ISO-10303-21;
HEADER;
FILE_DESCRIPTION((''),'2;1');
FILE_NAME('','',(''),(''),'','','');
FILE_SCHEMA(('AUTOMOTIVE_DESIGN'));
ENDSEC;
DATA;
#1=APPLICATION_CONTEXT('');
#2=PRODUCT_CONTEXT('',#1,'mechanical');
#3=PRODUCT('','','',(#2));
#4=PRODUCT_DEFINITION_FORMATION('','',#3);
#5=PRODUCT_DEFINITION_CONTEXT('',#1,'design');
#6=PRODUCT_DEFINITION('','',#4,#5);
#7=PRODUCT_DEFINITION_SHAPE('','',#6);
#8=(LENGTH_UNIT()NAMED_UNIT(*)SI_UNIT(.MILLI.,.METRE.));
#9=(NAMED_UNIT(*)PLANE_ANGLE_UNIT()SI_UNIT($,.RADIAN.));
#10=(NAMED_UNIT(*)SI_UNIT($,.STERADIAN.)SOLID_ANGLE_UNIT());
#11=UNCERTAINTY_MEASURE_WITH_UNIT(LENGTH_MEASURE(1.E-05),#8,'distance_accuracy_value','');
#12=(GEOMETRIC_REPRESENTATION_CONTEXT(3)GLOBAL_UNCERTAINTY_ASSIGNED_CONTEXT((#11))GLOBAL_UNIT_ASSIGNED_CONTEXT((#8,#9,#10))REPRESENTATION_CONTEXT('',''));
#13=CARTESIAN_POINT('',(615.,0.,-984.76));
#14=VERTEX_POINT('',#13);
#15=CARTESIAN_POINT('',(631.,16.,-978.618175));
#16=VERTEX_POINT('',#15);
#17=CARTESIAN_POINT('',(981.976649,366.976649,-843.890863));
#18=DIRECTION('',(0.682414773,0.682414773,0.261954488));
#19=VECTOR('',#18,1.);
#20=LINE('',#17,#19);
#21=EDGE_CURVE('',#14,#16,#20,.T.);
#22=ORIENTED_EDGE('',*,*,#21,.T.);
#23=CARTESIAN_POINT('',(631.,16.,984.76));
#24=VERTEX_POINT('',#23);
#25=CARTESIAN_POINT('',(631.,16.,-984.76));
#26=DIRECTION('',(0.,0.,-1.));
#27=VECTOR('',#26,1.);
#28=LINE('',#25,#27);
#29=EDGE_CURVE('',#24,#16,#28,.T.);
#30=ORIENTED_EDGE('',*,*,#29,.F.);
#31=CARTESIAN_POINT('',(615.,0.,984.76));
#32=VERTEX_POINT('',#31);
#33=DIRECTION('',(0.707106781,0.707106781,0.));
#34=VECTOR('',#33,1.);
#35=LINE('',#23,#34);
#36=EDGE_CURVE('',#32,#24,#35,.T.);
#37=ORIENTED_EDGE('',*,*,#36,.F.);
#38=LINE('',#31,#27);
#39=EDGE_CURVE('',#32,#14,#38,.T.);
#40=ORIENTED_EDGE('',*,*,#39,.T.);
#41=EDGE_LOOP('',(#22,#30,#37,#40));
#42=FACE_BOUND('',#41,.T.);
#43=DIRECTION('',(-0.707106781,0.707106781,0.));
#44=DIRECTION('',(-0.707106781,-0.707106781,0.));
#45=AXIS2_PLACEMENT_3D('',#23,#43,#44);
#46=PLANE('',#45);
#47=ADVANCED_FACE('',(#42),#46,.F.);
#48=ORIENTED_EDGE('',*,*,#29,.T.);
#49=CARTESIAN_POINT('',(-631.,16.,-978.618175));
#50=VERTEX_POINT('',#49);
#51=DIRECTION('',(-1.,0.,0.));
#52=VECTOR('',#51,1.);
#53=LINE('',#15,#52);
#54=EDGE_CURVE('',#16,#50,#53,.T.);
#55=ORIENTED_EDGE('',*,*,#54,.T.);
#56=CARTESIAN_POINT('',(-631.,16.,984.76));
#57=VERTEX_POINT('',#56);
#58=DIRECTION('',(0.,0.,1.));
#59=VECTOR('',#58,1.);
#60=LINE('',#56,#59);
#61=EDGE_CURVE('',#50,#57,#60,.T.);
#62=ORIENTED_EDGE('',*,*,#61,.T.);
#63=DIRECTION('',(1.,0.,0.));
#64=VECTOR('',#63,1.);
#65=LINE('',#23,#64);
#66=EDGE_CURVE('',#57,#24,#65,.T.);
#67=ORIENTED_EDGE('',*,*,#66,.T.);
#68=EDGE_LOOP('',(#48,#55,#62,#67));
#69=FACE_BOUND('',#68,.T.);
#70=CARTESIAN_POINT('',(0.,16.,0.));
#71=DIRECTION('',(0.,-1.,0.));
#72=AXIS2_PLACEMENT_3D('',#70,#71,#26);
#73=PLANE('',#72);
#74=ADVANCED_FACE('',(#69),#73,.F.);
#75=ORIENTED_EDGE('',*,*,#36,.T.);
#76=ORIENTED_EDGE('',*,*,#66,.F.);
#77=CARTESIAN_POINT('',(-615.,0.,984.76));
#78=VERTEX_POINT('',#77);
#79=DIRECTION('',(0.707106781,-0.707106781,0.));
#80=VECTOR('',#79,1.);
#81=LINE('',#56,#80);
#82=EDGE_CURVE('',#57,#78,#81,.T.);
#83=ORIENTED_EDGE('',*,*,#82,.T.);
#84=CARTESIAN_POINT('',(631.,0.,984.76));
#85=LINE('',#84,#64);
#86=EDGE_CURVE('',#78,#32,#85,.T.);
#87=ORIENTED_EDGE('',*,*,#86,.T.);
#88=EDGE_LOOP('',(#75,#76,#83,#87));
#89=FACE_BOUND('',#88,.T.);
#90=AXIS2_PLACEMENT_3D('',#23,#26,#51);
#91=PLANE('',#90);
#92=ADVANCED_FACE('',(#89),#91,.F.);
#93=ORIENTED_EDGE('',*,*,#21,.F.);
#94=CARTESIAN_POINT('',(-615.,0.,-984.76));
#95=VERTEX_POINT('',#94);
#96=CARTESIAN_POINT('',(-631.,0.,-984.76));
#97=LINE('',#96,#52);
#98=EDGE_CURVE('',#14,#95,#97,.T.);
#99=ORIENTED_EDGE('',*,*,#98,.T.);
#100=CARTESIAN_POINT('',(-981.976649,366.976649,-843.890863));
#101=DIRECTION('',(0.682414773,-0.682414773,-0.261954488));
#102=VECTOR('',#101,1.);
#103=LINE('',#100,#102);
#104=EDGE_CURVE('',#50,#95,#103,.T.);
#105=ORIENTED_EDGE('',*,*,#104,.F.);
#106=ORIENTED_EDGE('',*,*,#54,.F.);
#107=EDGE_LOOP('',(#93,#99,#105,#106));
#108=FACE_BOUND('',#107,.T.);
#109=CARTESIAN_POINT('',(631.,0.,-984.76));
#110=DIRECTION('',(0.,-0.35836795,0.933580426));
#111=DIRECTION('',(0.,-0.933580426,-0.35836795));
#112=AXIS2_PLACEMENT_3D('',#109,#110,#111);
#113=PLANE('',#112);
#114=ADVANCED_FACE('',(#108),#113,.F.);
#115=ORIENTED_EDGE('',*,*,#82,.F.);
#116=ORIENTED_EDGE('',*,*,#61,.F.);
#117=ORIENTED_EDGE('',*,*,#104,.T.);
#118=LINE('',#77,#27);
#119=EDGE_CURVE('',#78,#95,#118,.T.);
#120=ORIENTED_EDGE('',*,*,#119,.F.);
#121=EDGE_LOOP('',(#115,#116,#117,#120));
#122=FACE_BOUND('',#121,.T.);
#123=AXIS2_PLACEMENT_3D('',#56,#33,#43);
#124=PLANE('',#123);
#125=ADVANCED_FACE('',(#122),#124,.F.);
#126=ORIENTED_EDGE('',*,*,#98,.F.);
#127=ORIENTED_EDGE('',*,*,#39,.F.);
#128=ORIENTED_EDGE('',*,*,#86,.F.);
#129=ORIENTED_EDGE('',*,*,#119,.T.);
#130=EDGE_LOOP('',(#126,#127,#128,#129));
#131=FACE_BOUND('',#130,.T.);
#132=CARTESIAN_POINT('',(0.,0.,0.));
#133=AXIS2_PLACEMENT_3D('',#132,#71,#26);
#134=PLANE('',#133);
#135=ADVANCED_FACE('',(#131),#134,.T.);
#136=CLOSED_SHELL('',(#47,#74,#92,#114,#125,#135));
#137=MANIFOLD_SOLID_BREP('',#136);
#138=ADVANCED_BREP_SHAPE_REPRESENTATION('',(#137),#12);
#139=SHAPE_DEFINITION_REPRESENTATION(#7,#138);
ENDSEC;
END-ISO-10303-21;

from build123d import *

# Parameters (mm, degrees)
SKETCH1_W           = 1262
SKETCH1_H           = 1969.52
BOSS_EXTRUDE1_DEPTH = 16
CUT_EXTRUDE1_DEPTH  = 2069.193905416
CUT_EXTRUDE3_DEPTH  = 1601.828615936


with BuildPart() as part:
    # Sketch1 → Boss-Extrude1 (new body)
    with BuildSketch(Plane(origin=(0, 0, 0), x_dir=(1, 0, 0), z_dir=(0, 1, 0))):
        Rectangle(SKETCH1_W, SKETCH1_H)
    extrude(amount=BOSS_EXTRUDE1_DEPTH)

    # Sketch2 → Cut-Extrude1 (cut, through all)
    with BuildSketch(Plane(origin=(0, 0, -984.76), x_dir=(-1, 0, 0), z_dir=(0, 0, -1))):
        Polygon((-631, 16), (-615, 0), (-631, 0), align=None)
        Polygon((631, 16), (615, 0), (631, 0), align=None)
    extrude(amount=-CUT_EXTRUDE1_DEPTH, mode=Mode.SUBTRACT)

    # Sketch4 → Cut-Extrude3 (cut, through all)
    with BuildSketch(Plane.ZY.offset(631)):
        Polygon((-984.76, 0), (-978.618175439, 16), (-984.76, 16), align=None)
    extrude(amount=-CUT_EXTRUDE3_DEPTH, mode=Mode.SUBTRACT)


solid = part.part
